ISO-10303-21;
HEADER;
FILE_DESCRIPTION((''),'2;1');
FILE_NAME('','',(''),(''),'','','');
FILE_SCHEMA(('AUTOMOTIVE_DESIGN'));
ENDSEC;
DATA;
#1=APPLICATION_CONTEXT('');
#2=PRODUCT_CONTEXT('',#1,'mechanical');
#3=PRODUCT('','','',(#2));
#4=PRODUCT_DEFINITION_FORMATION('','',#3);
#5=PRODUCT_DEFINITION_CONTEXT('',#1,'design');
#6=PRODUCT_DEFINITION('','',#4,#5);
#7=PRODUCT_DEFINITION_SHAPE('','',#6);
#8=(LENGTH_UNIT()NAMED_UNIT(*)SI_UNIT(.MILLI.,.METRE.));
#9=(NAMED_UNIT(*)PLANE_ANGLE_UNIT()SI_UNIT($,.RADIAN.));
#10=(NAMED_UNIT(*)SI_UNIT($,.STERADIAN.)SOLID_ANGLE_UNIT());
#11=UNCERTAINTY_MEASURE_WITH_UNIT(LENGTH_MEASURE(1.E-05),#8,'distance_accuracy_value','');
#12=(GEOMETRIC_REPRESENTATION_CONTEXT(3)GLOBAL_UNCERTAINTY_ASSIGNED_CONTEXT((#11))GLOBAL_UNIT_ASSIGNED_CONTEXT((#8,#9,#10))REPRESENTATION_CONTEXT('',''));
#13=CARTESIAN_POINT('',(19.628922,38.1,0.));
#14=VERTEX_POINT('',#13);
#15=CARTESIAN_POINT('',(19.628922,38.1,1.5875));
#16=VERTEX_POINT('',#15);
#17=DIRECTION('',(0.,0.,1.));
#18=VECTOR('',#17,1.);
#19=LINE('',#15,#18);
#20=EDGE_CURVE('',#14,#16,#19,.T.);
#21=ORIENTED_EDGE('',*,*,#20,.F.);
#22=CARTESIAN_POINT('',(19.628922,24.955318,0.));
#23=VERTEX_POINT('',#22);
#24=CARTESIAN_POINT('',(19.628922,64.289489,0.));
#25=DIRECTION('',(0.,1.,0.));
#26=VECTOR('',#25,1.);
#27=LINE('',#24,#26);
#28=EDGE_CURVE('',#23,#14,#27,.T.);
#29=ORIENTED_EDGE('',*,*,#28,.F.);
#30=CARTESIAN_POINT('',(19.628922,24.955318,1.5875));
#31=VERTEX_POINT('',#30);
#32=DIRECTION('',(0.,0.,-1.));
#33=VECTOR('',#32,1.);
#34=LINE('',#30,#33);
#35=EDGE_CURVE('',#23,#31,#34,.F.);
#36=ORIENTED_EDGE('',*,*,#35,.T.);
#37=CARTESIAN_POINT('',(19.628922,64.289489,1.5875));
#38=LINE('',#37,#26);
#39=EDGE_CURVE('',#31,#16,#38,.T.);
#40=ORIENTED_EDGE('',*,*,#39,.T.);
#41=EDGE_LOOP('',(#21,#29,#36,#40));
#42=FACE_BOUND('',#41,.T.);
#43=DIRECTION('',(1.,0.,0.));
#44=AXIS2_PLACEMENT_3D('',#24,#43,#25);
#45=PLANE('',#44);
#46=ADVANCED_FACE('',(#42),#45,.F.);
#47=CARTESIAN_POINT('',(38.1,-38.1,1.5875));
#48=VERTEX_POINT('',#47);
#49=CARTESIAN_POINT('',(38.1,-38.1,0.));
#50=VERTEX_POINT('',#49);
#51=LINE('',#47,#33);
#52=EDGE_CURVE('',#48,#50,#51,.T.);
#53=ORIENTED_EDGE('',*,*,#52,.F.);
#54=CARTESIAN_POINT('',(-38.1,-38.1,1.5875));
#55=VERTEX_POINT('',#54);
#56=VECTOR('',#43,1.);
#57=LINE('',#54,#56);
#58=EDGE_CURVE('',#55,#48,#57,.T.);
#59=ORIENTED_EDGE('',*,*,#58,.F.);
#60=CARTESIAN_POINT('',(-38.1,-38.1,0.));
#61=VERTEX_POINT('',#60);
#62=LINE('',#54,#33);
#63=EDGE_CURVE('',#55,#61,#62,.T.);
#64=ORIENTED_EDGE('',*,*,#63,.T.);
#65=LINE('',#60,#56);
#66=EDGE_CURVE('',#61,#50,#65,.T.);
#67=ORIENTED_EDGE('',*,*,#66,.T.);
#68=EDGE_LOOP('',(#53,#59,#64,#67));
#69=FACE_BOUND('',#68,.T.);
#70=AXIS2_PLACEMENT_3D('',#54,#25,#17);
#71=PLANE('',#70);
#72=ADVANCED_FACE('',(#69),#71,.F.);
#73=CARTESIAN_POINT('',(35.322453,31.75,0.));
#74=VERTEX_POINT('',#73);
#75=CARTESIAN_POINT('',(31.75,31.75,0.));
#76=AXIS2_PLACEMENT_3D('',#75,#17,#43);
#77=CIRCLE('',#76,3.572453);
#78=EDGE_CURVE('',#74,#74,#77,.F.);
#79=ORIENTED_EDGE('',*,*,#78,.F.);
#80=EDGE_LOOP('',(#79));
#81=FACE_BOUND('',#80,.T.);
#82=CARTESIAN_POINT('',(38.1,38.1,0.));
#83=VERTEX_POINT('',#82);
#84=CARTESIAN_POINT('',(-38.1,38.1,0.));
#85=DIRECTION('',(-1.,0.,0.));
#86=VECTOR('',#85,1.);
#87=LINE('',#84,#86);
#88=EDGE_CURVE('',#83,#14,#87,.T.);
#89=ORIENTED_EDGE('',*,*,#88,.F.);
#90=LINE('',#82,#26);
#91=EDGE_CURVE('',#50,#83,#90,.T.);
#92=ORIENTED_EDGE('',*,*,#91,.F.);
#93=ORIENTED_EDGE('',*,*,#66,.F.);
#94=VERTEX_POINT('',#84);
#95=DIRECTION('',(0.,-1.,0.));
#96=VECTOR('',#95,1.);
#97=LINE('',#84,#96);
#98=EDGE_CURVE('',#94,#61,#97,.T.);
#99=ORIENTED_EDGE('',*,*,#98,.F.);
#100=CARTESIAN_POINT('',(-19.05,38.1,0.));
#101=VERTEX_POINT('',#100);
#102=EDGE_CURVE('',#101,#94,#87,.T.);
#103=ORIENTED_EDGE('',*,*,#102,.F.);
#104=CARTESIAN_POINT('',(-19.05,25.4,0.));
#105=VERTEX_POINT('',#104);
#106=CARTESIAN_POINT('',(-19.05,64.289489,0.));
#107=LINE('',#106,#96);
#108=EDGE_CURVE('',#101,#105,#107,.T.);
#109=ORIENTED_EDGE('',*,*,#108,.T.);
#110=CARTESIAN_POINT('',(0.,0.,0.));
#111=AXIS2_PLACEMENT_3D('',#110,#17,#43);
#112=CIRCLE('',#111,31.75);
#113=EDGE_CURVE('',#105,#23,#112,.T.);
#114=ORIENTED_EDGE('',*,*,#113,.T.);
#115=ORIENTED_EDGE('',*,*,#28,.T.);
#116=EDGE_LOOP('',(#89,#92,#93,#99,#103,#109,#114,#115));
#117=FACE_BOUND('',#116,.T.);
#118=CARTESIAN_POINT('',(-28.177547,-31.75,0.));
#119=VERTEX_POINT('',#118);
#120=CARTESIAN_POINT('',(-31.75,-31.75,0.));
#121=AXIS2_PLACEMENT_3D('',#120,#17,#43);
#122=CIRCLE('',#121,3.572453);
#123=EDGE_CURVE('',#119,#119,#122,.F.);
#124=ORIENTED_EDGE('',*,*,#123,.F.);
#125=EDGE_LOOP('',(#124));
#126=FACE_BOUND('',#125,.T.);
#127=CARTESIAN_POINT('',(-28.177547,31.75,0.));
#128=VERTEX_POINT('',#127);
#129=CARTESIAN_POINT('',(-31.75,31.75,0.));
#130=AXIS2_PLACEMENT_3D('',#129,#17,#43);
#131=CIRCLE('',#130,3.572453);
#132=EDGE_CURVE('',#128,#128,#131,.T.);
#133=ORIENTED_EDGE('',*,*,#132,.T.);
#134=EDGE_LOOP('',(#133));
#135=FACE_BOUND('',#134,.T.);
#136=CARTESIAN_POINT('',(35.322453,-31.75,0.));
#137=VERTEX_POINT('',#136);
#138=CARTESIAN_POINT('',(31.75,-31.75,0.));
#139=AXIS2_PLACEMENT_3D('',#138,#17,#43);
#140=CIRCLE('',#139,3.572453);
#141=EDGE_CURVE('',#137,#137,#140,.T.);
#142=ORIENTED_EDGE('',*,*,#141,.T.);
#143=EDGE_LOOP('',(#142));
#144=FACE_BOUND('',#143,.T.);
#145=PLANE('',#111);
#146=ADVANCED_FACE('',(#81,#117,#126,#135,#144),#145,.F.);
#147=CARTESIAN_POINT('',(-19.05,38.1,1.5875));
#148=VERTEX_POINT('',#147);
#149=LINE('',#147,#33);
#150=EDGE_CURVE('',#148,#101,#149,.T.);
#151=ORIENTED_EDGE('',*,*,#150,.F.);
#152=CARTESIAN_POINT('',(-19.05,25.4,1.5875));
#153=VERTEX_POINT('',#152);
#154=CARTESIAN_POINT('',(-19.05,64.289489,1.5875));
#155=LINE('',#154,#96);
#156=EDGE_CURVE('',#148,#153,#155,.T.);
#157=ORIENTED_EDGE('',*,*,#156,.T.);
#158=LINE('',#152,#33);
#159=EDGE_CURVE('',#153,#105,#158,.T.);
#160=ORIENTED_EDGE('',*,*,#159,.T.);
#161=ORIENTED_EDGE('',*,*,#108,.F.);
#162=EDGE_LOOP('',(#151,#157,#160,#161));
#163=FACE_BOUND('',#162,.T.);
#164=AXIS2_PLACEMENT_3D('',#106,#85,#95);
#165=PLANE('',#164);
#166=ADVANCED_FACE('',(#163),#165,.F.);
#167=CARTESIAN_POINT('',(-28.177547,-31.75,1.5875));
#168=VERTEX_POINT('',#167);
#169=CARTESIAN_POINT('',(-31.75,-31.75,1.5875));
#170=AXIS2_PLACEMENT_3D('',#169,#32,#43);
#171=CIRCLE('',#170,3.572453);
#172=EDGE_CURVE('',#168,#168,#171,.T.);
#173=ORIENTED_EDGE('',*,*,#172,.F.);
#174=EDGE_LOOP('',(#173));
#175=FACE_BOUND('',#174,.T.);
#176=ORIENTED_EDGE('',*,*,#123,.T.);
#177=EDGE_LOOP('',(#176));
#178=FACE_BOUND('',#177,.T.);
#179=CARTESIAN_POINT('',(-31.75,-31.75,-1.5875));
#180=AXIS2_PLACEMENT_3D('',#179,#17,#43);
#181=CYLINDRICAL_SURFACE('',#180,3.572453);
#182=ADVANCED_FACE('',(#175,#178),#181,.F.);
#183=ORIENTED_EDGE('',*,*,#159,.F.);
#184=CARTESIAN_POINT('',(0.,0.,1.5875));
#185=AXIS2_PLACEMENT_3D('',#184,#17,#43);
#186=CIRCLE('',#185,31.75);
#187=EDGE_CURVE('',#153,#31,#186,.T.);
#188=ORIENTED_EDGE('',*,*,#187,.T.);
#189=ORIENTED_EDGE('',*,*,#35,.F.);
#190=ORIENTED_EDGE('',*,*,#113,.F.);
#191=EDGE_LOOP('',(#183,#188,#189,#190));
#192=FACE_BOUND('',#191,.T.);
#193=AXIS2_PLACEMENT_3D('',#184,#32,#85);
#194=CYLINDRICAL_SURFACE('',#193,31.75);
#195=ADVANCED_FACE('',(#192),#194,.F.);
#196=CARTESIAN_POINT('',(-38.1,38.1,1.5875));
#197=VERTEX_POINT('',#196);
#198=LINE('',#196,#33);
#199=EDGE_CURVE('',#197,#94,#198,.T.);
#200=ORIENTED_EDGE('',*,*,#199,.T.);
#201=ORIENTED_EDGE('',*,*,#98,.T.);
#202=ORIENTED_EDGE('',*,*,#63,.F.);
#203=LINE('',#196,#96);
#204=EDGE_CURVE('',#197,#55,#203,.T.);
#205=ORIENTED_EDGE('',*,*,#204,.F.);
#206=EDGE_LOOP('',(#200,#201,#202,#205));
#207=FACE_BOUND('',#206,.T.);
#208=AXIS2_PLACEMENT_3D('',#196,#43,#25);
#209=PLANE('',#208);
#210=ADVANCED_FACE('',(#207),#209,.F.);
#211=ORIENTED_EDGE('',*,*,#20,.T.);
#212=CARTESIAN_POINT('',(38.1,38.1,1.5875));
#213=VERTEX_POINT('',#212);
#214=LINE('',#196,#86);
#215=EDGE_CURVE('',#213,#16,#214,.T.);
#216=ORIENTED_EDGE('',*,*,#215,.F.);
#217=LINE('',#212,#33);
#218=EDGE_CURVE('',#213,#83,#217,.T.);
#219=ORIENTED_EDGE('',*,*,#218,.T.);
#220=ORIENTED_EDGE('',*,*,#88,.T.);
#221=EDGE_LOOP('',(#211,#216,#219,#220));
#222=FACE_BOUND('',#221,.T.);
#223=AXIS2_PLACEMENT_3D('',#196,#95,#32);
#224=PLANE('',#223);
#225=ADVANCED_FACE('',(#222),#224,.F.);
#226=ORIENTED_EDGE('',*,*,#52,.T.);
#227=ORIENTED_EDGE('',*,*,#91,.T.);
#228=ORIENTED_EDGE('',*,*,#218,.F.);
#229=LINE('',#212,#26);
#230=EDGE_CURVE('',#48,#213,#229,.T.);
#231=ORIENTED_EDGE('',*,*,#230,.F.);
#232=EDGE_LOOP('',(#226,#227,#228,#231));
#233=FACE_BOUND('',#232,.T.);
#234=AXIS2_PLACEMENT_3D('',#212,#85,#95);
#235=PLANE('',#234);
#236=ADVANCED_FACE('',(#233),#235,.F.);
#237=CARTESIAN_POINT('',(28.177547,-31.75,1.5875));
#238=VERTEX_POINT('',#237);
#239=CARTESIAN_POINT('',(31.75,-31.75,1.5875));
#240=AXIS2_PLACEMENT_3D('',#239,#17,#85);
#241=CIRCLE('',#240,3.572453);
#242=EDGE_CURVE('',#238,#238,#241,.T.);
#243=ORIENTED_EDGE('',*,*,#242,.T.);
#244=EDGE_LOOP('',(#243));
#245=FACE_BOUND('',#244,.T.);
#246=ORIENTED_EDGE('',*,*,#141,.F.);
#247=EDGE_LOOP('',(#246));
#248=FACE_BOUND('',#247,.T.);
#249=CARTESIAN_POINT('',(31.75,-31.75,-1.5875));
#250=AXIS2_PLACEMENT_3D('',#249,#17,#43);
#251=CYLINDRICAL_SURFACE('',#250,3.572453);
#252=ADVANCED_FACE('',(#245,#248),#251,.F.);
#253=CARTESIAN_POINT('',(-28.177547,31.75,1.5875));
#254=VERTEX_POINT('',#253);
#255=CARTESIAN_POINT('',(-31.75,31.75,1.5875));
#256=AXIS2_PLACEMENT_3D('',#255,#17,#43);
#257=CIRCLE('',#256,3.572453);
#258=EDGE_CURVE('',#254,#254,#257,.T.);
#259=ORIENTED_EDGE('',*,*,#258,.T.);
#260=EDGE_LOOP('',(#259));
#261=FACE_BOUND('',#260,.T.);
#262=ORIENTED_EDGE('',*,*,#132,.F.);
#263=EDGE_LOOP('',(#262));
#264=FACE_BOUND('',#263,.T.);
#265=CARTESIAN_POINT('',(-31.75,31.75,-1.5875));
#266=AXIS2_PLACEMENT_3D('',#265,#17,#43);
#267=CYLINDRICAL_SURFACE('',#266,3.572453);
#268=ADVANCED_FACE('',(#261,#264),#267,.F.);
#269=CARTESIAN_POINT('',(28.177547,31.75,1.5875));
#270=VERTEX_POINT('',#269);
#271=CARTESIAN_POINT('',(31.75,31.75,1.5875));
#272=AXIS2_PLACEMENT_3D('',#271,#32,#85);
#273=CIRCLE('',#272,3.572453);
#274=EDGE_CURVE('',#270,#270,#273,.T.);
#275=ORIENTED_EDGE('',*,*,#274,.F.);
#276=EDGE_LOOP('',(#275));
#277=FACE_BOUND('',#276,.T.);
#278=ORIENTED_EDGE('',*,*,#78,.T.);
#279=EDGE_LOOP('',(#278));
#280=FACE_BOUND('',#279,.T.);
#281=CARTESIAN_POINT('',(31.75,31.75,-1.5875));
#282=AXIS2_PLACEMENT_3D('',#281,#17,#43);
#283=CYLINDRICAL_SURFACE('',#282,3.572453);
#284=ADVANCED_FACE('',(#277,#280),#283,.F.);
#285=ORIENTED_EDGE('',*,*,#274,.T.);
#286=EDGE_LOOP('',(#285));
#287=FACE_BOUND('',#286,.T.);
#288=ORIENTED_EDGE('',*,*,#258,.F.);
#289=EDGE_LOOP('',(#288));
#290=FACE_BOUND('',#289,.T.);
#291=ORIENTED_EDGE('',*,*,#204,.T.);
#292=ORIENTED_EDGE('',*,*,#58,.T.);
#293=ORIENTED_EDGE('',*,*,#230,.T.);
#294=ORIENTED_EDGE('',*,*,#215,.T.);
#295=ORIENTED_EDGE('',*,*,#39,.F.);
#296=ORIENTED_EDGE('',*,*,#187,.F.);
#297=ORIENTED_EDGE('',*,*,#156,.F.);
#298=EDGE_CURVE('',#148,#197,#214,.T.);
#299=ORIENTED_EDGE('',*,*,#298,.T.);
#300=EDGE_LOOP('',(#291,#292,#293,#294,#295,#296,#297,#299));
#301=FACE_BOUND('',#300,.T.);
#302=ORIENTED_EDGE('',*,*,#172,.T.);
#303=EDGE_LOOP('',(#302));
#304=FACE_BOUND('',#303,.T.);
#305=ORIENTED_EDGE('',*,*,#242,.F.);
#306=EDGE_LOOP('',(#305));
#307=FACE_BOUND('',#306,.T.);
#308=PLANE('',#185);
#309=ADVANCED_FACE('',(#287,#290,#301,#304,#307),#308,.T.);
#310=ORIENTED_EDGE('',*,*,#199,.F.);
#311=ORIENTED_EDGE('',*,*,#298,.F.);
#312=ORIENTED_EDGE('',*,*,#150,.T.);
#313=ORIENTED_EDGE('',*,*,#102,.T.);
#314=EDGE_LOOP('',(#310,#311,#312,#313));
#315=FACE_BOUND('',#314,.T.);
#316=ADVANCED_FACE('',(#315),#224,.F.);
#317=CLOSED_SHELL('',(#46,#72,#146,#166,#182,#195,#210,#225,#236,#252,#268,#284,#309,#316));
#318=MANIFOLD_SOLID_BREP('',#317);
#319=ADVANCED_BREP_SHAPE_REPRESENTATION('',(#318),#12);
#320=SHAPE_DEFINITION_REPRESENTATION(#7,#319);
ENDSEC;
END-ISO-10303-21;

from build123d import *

# Parameters (mm, degrees)
SKETCH1_W               = 76.2
SKETCH1_H               = 76.2
SKETCH1_R               = 31.75
BOSS_EXTRUDE1_DEPTH     = 1.5875
SKETCH2_R               = 3.572453457
CUT_EXTRUDE1_DEPTH      = 3.175
SKETCH5_W               = 38.678922036
SKETCH5_H               = 46.509488783
CUT_EXTRUDE3_DEPTH      = 2.5875
MIRROR2_COPY_1_SKETCH_R = 3.572453457
MIRROR2_COPY_1_DEPTH    = 3.175


with BuildPart() as part:
    # Sketch1 → Boss-Extrude1 (new body)
    with BuildSketch(Plane.XY):
        Rectangle(SKETCH1_W, SKETCH1_H)
        Circle(SKETCH1_R, mode=Mode.SUBTRACT)
    extrude(amount=BOSS_EXTRUDE1_DEPTH)

    # Sketch2 → Cut-Extrude1 (cut)
    with BuildSketch(Plane.XY.offset(1.5875)):
        with Locations((-31.75, 31.75)):
            Circle(SKETCH2_R)
    cut_extrude1 = extrude(amount=-CUT_EXTRUDE1_DEPTH, mode=Mode.SUBTRACT)

    # Sketch5 → Cut-Extrude3 (cut, through all)
    with BuildSketch(Plane.XY.offset(1.5875)):
        with Locations((0.289461018, 41.034744392)):
            Rectangle(SKETCH5_W, SKETCH5_H)
    extrude(amount=-CUT_EXTRUDE3_DEPTH, mode=Mode.SUBTRACT)

    # Mirror1: Cut-Extrude1 across plane
    add(cut_extrude1.mirror(Plane(origin=(0, 0, 0), x_dir=(0, 0, 1), z_dir=(1, 0, 0))), mode=Mode.SUBTRACT)

    # Mirror2: Cut-Extrude1 across plane
    add(cut_extrude1.mirror(Plane.ZX), mode=Mode.SUBTRACT)

    # Mirror2 copy 1 sketch → Mirror2 copy 1 (cut)
    with BuildSketch(Plane(origin=(0, 0, 1.5875), x_dir=(-1, 0, 0), z_dir=(0, 0, 1))):
        with Locations((-31.75, 31.75)):
            Circle(MIRROR2_COPY_1_SKETCH_R)
    extrude(amount=-MIRROR2_COPY_1_DEPTH, mode=Mode.SUBTRACT)


solid = part.part
